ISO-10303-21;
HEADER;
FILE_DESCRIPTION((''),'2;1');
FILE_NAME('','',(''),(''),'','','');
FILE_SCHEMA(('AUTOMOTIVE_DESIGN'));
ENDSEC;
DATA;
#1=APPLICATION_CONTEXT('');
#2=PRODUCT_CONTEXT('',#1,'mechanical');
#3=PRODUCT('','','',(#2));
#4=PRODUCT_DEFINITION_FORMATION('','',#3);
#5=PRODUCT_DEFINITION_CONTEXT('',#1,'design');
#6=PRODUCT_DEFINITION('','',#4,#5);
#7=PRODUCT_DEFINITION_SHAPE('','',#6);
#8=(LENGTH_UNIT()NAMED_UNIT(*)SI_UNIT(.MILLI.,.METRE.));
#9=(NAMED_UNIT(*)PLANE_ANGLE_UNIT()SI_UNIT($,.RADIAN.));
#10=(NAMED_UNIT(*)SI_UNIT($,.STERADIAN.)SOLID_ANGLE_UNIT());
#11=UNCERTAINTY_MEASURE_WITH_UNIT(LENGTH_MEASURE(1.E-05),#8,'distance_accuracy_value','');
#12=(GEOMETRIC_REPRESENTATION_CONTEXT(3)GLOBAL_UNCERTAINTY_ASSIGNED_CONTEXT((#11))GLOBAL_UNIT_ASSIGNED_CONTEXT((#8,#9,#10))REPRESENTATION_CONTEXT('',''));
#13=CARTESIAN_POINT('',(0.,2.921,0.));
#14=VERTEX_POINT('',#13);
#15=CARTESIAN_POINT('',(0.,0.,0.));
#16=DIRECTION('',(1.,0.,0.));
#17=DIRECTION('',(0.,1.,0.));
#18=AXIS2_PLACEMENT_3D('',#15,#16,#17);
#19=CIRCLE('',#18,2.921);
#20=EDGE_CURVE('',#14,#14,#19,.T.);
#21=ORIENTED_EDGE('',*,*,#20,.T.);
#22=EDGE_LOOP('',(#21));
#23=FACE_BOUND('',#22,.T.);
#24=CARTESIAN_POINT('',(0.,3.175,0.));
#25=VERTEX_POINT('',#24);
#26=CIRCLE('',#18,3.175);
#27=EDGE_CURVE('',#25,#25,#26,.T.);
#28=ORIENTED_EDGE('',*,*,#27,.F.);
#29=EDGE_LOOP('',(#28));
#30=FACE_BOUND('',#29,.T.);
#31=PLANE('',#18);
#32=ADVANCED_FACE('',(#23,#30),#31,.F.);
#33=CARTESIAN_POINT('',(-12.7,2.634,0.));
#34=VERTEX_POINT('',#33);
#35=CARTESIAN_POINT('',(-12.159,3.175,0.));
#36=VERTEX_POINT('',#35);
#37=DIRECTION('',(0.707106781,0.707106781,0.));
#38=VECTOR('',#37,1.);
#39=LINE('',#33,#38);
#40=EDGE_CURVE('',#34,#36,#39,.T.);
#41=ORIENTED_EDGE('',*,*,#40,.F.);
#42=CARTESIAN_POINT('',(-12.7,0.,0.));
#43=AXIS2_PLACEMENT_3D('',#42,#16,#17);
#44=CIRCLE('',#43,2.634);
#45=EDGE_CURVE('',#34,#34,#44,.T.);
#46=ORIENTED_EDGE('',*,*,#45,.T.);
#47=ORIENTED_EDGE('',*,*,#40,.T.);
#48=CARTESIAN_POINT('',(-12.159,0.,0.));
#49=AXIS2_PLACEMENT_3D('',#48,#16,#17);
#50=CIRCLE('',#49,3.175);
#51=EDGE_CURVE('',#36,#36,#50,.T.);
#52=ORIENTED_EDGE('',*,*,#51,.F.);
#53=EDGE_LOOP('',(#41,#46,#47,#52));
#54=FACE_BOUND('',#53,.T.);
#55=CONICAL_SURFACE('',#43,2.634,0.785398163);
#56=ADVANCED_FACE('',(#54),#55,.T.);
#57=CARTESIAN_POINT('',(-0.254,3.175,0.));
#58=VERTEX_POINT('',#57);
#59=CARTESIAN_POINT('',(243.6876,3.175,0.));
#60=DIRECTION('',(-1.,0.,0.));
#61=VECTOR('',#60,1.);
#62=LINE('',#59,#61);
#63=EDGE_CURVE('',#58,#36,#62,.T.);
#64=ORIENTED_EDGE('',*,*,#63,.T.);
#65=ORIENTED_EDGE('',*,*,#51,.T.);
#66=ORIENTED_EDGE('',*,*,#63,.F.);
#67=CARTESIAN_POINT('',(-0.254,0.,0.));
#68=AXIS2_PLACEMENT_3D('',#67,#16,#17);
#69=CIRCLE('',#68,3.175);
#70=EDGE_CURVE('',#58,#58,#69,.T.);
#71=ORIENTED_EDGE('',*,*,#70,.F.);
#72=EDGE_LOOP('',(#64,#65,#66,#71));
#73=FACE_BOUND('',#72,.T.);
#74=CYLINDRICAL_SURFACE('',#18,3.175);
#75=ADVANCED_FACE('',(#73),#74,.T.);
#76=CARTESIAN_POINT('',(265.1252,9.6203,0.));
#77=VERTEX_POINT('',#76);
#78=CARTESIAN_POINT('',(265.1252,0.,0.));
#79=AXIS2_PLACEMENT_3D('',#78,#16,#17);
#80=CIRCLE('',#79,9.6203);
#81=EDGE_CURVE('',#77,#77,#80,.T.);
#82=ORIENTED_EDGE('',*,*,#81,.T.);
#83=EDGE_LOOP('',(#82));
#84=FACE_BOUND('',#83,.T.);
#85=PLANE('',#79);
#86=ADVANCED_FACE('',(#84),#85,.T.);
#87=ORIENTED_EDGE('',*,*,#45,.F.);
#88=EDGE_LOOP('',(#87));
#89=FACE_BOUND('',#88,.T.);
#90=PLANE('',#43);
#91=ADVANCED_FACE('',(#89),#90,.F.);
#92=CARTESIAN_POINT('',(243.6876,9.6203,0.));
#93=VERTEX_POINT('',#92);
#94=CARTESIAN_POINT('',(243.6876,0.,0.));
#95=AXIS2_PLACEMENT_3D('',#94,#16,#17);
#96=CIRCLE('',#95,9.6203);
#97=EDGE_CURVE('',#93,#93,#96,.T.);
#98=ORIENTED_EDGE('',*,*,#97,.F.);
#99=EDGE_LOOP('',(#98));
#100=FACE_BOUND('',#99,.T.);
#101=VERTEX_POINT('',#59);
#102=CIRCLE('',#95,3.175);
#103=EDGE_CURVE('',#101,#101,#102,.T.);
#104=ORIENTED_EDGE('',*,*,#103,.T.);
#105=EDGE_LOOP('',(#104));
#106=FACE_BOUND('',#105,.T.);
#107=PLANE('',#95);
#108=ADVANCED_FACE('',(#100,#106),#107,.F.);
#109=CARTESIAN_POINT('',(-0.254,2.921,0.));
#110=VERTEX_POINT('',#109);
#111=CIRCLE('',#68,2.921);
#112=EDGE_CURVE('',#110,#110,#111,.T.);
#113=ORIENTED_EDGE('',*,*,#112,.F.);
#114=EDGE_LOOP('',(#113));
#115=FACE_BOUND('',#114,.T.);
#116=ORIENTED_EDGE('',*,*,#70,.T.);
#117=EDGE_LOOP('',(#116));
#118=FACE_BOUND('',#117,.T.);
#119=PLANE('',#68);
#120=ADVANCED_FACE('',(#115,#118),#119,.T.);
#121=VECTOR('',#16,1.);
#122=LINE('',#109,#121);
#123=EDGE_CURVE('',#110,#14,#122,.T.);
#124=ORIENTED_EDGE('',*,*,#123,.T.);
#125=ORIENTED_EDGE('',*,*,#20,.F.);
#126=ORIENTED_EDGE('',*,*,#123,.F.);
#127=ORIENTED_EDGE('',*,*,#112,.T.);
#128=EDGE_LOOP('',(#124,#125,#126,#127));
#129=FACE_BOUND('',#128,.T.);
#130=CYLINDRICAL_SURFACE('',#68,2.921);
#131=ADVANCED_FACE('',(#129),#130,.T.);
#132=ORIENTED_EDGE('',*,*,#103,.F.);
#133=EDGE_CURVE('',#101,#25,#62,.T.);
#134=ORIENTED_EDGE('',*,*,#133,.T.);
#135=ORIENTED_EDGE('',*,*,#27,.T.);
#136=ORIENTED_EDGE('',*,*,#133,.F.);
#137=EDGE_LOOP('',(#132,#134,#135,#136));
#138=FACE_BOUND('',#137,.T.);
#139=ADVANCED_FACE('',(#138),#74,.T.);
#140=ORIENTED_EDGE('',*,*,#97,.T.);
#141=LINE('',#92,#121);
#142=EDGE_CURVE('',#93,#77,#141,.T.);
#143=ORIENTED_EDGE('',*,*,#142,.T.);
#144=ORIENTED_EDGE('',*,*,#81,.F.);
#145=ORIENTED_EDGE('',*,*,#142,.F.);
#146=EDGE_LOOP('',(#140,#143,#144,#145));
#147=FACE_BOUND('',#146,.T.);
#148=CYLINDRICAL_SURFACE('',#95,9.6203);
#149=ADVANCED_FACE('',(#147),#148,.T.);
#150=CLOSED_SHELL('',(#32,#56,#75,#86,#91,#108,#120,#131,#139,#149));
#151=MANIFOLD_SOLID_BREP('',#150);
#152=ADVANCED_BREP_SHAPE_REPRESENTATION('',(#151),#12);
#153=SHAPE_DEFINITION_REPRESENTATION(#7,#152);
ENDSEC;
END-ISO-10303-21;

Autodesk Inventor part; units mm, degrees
sketch "Sketch_1" plane through (0, 0, 0) normal (0, 0, 1) x (1, 0, 0)
  line L0 (265.1252, 0) -> (0, 0)
  line L1 (0, 0) -> (0, 3.175)
  line L2 (0, 3.175) -> (243.6876, 3.175)
  line L3 (243.6876, 3.175) -> (243.6876, 9.6203)
  line L4 (243.6876, 9.6203) -> (265.1252, 9.6203)
  line L5 (265.1252, 9.6203) -> (265.1252, 0)
  line L6 (265.1252, 0) -> (0, 0)
revolve "Revolution1" add sketch "Sketch_1" angle 360 about axis through (265.1252, 0, 0) along (1, 0, 0)
sketch "Sketch_3" plane through (0, 0, 0) normal (0, 0, 1) x (1, 0, 0)
  line L0 (0, 0) -> (-12.7, 0)
  line L1 (-12.7, 0) -> (-12.7, 2.634)
  line L2 (-12.7, 2.634) -> (-12.159, 3.175)
  line L3 (-12.159, 3.175) -> (0, 3.175)
  line L4 (0, 3.175) -> (0, 0)
  line L5 (0, 0) -> (-12.7, 0)
revolve "Revolution2" add sketch "Sketch_3" angle 360 about axis through (0, 0, 0) along (1, 0, 0)
thread "Thread1" size "1/4-28 UNF" class "3A" standard "ANSI Unified Screw Threads" length 12.7 offset 243.6876
sketch "Sketch_30" plane through (0, 0, 0) normal (0, 0, 1) x (1, 0, 0)
  line L0 (0, 0) -> (-0.254, 0)
  line L1 (-0.254, 3.429) -> (-0.254, 2.921)
  line L2 (-0.254, 2.921) -> (0, 2.921)
  line L3 (0, 2.921) -> (0, 3.429)
  line L4 (0, 3.429) -> (-0.254, 3.429)
revolve "Revolution3" cut sketch "Sketch_30" angle 360 about axis through (0, 0, 0) along (1, 0, 0)
ref_plane "rod_cp_XY" through (0, 0, 0) normal (1, 0, 0) x (0, 0, -1)
ref_plane "rod_cp_YZ" through (0, 0, 0) normal (0, 0, -1) x (0, 1, 0)
ref_plane "rod_cp_ZX" through (0, 0, 0) normal (0, 1, 0) x (1, 0, 0)
ref_plane "to_rod_clevis_XY" through (-12.7, 0, 0) normal (1, 0, 0) x (0, 0, -1)
ref_plane "to_rod_clevis_YZ" through (-12.7, 0, 0) normal (0, 0, -1) x (0, 1, 0)
ref_plane "to_rod_clevis_ZX" through (-12.7, 0, 0) normal (0, 1, 0) x (1, 0, 0)
ref_plane "rl2_XY" through (0, 0, 0) normal (1, 0, 0) x (0, 0, -1)
ref_plane "rl2_YZ" through (0, 0, 0) normal (0, 0, -1) x (0, 1, 0)
ref_plane "rl2_ZX" through (0, 0, 0) normal (0, 1, 0) x (1, 0, 0)
ref_plane "rl1_XY" through (-12.7, 0, 0) normal (1, 0, 0) x (0, 0, -1)
ref_plane "rl1_YZ" through (-12.7, 0, 0) normal (0, 0, -1) x (0, 1, 0)
ref_plane "rl1_ZX" through (-12.7, 0, 0) normal (0, 1, 0) x (1, 0, 0)
ref_plane "thd1_XY" through (-12.7, 3.175, 0) normal (1, 0, 0) x (0, 0, -1)
ref_plane "thd1_YZ" through (-12.7, 3.175, 0) normal (0, 0, -1) x (0, 1, 0)
ref_plane "thd1_ZX" through (-12.7, 3.175, 0) normal (0, 1, 0) x (1, 0, 0)
ref_plane "thd2_XY" through (-12.7, -3.175, 0) normal (1, 0, 0) x (0, 0, -1)
ref_plane "thd2_YZ" through (-12.7, -3.175, 0) normal (0, 0, -1) x (0, 1, 0)
ref_plane "thd2_ZX" through (-12.7, -3.175, 0) normal (0, 1, 0) x (1, 0, 0)
ref_plane "dia1_XY" through (0, 3.175, 0) normal (1, 0, 0) x (0, 0, -1)
ref_plane "dia1_YZ" through (0, 3.175, 0) normal (0, 0, -1) x (0, 1, 0)
ref_plane "dia1_ZX" through (0, 3.175, 0) normal (0, 1, 0) x (1, 0, 0)
ref_plane "dia2_XY" through (0, -3.175, 0) normal (1, 0, 0) x (0, 0, -1)
ref_plane "dia2_YZ" through (0, -3.175, 0) normal (0, 0, -1) x (0, 1, 0)
ref_plane "dia2_ZX" through (0, -3.175, 0) normal (0, 1, 0) x (1, 0, 0)
ref_plane "hh1_XY" through (295.2496, 0, 0) normal (0, 0, 1) x (1, 0, 0)
ref_plane "hh1_YZ" through (295.2496, 0, 0) normal (1, 0, 0) x (0, 1, 0)
ref_plane "hh1_ZX" through (295.2496, 0, 0) normal (0, 1, 0) x (0, 0, 1)
ref_plane "hh2_XY" through (301.6504, 0, 0) normal (0, 0, 1) x (1, 0, 0)
ref_plane "hh2_YZ" through (301.6504, 0, 0) normal (1, 0, 0) x (0, 1, 0)
ref_plane "hh2_ZX" through (301.6504, 0, 0) normal (0, 1, 0) x (0, 0, 1)
ref_plane "dia12_XY" through (0, 0, 10.9537) normal (1, 0, 0) x (0, 0, -1)
ref_plane "dia12_YZ" through (0, 0, 10.9537) normal (0, 0, -1) x (0, 1, 0)
ref_plane "dia12_ZX" through (0, 0, 10.9537) normal (0, 1, 0) x (1, 0, 0)
ref_plane "dia22_XY" through (0, 0, -10.9537) normal (1, 0, 0) x (0, 0, -1)
ref_plane "dia22_YZ" through (0, 0, -10.9537) normal (0, 0, -1) x (0, 1, 0)
ref_plane "dia22_ZX" through (0, 0, -10.9537) normal (0, 1, 0) x (1, 0, 0)
properties part number "048-DXP0_rod"
